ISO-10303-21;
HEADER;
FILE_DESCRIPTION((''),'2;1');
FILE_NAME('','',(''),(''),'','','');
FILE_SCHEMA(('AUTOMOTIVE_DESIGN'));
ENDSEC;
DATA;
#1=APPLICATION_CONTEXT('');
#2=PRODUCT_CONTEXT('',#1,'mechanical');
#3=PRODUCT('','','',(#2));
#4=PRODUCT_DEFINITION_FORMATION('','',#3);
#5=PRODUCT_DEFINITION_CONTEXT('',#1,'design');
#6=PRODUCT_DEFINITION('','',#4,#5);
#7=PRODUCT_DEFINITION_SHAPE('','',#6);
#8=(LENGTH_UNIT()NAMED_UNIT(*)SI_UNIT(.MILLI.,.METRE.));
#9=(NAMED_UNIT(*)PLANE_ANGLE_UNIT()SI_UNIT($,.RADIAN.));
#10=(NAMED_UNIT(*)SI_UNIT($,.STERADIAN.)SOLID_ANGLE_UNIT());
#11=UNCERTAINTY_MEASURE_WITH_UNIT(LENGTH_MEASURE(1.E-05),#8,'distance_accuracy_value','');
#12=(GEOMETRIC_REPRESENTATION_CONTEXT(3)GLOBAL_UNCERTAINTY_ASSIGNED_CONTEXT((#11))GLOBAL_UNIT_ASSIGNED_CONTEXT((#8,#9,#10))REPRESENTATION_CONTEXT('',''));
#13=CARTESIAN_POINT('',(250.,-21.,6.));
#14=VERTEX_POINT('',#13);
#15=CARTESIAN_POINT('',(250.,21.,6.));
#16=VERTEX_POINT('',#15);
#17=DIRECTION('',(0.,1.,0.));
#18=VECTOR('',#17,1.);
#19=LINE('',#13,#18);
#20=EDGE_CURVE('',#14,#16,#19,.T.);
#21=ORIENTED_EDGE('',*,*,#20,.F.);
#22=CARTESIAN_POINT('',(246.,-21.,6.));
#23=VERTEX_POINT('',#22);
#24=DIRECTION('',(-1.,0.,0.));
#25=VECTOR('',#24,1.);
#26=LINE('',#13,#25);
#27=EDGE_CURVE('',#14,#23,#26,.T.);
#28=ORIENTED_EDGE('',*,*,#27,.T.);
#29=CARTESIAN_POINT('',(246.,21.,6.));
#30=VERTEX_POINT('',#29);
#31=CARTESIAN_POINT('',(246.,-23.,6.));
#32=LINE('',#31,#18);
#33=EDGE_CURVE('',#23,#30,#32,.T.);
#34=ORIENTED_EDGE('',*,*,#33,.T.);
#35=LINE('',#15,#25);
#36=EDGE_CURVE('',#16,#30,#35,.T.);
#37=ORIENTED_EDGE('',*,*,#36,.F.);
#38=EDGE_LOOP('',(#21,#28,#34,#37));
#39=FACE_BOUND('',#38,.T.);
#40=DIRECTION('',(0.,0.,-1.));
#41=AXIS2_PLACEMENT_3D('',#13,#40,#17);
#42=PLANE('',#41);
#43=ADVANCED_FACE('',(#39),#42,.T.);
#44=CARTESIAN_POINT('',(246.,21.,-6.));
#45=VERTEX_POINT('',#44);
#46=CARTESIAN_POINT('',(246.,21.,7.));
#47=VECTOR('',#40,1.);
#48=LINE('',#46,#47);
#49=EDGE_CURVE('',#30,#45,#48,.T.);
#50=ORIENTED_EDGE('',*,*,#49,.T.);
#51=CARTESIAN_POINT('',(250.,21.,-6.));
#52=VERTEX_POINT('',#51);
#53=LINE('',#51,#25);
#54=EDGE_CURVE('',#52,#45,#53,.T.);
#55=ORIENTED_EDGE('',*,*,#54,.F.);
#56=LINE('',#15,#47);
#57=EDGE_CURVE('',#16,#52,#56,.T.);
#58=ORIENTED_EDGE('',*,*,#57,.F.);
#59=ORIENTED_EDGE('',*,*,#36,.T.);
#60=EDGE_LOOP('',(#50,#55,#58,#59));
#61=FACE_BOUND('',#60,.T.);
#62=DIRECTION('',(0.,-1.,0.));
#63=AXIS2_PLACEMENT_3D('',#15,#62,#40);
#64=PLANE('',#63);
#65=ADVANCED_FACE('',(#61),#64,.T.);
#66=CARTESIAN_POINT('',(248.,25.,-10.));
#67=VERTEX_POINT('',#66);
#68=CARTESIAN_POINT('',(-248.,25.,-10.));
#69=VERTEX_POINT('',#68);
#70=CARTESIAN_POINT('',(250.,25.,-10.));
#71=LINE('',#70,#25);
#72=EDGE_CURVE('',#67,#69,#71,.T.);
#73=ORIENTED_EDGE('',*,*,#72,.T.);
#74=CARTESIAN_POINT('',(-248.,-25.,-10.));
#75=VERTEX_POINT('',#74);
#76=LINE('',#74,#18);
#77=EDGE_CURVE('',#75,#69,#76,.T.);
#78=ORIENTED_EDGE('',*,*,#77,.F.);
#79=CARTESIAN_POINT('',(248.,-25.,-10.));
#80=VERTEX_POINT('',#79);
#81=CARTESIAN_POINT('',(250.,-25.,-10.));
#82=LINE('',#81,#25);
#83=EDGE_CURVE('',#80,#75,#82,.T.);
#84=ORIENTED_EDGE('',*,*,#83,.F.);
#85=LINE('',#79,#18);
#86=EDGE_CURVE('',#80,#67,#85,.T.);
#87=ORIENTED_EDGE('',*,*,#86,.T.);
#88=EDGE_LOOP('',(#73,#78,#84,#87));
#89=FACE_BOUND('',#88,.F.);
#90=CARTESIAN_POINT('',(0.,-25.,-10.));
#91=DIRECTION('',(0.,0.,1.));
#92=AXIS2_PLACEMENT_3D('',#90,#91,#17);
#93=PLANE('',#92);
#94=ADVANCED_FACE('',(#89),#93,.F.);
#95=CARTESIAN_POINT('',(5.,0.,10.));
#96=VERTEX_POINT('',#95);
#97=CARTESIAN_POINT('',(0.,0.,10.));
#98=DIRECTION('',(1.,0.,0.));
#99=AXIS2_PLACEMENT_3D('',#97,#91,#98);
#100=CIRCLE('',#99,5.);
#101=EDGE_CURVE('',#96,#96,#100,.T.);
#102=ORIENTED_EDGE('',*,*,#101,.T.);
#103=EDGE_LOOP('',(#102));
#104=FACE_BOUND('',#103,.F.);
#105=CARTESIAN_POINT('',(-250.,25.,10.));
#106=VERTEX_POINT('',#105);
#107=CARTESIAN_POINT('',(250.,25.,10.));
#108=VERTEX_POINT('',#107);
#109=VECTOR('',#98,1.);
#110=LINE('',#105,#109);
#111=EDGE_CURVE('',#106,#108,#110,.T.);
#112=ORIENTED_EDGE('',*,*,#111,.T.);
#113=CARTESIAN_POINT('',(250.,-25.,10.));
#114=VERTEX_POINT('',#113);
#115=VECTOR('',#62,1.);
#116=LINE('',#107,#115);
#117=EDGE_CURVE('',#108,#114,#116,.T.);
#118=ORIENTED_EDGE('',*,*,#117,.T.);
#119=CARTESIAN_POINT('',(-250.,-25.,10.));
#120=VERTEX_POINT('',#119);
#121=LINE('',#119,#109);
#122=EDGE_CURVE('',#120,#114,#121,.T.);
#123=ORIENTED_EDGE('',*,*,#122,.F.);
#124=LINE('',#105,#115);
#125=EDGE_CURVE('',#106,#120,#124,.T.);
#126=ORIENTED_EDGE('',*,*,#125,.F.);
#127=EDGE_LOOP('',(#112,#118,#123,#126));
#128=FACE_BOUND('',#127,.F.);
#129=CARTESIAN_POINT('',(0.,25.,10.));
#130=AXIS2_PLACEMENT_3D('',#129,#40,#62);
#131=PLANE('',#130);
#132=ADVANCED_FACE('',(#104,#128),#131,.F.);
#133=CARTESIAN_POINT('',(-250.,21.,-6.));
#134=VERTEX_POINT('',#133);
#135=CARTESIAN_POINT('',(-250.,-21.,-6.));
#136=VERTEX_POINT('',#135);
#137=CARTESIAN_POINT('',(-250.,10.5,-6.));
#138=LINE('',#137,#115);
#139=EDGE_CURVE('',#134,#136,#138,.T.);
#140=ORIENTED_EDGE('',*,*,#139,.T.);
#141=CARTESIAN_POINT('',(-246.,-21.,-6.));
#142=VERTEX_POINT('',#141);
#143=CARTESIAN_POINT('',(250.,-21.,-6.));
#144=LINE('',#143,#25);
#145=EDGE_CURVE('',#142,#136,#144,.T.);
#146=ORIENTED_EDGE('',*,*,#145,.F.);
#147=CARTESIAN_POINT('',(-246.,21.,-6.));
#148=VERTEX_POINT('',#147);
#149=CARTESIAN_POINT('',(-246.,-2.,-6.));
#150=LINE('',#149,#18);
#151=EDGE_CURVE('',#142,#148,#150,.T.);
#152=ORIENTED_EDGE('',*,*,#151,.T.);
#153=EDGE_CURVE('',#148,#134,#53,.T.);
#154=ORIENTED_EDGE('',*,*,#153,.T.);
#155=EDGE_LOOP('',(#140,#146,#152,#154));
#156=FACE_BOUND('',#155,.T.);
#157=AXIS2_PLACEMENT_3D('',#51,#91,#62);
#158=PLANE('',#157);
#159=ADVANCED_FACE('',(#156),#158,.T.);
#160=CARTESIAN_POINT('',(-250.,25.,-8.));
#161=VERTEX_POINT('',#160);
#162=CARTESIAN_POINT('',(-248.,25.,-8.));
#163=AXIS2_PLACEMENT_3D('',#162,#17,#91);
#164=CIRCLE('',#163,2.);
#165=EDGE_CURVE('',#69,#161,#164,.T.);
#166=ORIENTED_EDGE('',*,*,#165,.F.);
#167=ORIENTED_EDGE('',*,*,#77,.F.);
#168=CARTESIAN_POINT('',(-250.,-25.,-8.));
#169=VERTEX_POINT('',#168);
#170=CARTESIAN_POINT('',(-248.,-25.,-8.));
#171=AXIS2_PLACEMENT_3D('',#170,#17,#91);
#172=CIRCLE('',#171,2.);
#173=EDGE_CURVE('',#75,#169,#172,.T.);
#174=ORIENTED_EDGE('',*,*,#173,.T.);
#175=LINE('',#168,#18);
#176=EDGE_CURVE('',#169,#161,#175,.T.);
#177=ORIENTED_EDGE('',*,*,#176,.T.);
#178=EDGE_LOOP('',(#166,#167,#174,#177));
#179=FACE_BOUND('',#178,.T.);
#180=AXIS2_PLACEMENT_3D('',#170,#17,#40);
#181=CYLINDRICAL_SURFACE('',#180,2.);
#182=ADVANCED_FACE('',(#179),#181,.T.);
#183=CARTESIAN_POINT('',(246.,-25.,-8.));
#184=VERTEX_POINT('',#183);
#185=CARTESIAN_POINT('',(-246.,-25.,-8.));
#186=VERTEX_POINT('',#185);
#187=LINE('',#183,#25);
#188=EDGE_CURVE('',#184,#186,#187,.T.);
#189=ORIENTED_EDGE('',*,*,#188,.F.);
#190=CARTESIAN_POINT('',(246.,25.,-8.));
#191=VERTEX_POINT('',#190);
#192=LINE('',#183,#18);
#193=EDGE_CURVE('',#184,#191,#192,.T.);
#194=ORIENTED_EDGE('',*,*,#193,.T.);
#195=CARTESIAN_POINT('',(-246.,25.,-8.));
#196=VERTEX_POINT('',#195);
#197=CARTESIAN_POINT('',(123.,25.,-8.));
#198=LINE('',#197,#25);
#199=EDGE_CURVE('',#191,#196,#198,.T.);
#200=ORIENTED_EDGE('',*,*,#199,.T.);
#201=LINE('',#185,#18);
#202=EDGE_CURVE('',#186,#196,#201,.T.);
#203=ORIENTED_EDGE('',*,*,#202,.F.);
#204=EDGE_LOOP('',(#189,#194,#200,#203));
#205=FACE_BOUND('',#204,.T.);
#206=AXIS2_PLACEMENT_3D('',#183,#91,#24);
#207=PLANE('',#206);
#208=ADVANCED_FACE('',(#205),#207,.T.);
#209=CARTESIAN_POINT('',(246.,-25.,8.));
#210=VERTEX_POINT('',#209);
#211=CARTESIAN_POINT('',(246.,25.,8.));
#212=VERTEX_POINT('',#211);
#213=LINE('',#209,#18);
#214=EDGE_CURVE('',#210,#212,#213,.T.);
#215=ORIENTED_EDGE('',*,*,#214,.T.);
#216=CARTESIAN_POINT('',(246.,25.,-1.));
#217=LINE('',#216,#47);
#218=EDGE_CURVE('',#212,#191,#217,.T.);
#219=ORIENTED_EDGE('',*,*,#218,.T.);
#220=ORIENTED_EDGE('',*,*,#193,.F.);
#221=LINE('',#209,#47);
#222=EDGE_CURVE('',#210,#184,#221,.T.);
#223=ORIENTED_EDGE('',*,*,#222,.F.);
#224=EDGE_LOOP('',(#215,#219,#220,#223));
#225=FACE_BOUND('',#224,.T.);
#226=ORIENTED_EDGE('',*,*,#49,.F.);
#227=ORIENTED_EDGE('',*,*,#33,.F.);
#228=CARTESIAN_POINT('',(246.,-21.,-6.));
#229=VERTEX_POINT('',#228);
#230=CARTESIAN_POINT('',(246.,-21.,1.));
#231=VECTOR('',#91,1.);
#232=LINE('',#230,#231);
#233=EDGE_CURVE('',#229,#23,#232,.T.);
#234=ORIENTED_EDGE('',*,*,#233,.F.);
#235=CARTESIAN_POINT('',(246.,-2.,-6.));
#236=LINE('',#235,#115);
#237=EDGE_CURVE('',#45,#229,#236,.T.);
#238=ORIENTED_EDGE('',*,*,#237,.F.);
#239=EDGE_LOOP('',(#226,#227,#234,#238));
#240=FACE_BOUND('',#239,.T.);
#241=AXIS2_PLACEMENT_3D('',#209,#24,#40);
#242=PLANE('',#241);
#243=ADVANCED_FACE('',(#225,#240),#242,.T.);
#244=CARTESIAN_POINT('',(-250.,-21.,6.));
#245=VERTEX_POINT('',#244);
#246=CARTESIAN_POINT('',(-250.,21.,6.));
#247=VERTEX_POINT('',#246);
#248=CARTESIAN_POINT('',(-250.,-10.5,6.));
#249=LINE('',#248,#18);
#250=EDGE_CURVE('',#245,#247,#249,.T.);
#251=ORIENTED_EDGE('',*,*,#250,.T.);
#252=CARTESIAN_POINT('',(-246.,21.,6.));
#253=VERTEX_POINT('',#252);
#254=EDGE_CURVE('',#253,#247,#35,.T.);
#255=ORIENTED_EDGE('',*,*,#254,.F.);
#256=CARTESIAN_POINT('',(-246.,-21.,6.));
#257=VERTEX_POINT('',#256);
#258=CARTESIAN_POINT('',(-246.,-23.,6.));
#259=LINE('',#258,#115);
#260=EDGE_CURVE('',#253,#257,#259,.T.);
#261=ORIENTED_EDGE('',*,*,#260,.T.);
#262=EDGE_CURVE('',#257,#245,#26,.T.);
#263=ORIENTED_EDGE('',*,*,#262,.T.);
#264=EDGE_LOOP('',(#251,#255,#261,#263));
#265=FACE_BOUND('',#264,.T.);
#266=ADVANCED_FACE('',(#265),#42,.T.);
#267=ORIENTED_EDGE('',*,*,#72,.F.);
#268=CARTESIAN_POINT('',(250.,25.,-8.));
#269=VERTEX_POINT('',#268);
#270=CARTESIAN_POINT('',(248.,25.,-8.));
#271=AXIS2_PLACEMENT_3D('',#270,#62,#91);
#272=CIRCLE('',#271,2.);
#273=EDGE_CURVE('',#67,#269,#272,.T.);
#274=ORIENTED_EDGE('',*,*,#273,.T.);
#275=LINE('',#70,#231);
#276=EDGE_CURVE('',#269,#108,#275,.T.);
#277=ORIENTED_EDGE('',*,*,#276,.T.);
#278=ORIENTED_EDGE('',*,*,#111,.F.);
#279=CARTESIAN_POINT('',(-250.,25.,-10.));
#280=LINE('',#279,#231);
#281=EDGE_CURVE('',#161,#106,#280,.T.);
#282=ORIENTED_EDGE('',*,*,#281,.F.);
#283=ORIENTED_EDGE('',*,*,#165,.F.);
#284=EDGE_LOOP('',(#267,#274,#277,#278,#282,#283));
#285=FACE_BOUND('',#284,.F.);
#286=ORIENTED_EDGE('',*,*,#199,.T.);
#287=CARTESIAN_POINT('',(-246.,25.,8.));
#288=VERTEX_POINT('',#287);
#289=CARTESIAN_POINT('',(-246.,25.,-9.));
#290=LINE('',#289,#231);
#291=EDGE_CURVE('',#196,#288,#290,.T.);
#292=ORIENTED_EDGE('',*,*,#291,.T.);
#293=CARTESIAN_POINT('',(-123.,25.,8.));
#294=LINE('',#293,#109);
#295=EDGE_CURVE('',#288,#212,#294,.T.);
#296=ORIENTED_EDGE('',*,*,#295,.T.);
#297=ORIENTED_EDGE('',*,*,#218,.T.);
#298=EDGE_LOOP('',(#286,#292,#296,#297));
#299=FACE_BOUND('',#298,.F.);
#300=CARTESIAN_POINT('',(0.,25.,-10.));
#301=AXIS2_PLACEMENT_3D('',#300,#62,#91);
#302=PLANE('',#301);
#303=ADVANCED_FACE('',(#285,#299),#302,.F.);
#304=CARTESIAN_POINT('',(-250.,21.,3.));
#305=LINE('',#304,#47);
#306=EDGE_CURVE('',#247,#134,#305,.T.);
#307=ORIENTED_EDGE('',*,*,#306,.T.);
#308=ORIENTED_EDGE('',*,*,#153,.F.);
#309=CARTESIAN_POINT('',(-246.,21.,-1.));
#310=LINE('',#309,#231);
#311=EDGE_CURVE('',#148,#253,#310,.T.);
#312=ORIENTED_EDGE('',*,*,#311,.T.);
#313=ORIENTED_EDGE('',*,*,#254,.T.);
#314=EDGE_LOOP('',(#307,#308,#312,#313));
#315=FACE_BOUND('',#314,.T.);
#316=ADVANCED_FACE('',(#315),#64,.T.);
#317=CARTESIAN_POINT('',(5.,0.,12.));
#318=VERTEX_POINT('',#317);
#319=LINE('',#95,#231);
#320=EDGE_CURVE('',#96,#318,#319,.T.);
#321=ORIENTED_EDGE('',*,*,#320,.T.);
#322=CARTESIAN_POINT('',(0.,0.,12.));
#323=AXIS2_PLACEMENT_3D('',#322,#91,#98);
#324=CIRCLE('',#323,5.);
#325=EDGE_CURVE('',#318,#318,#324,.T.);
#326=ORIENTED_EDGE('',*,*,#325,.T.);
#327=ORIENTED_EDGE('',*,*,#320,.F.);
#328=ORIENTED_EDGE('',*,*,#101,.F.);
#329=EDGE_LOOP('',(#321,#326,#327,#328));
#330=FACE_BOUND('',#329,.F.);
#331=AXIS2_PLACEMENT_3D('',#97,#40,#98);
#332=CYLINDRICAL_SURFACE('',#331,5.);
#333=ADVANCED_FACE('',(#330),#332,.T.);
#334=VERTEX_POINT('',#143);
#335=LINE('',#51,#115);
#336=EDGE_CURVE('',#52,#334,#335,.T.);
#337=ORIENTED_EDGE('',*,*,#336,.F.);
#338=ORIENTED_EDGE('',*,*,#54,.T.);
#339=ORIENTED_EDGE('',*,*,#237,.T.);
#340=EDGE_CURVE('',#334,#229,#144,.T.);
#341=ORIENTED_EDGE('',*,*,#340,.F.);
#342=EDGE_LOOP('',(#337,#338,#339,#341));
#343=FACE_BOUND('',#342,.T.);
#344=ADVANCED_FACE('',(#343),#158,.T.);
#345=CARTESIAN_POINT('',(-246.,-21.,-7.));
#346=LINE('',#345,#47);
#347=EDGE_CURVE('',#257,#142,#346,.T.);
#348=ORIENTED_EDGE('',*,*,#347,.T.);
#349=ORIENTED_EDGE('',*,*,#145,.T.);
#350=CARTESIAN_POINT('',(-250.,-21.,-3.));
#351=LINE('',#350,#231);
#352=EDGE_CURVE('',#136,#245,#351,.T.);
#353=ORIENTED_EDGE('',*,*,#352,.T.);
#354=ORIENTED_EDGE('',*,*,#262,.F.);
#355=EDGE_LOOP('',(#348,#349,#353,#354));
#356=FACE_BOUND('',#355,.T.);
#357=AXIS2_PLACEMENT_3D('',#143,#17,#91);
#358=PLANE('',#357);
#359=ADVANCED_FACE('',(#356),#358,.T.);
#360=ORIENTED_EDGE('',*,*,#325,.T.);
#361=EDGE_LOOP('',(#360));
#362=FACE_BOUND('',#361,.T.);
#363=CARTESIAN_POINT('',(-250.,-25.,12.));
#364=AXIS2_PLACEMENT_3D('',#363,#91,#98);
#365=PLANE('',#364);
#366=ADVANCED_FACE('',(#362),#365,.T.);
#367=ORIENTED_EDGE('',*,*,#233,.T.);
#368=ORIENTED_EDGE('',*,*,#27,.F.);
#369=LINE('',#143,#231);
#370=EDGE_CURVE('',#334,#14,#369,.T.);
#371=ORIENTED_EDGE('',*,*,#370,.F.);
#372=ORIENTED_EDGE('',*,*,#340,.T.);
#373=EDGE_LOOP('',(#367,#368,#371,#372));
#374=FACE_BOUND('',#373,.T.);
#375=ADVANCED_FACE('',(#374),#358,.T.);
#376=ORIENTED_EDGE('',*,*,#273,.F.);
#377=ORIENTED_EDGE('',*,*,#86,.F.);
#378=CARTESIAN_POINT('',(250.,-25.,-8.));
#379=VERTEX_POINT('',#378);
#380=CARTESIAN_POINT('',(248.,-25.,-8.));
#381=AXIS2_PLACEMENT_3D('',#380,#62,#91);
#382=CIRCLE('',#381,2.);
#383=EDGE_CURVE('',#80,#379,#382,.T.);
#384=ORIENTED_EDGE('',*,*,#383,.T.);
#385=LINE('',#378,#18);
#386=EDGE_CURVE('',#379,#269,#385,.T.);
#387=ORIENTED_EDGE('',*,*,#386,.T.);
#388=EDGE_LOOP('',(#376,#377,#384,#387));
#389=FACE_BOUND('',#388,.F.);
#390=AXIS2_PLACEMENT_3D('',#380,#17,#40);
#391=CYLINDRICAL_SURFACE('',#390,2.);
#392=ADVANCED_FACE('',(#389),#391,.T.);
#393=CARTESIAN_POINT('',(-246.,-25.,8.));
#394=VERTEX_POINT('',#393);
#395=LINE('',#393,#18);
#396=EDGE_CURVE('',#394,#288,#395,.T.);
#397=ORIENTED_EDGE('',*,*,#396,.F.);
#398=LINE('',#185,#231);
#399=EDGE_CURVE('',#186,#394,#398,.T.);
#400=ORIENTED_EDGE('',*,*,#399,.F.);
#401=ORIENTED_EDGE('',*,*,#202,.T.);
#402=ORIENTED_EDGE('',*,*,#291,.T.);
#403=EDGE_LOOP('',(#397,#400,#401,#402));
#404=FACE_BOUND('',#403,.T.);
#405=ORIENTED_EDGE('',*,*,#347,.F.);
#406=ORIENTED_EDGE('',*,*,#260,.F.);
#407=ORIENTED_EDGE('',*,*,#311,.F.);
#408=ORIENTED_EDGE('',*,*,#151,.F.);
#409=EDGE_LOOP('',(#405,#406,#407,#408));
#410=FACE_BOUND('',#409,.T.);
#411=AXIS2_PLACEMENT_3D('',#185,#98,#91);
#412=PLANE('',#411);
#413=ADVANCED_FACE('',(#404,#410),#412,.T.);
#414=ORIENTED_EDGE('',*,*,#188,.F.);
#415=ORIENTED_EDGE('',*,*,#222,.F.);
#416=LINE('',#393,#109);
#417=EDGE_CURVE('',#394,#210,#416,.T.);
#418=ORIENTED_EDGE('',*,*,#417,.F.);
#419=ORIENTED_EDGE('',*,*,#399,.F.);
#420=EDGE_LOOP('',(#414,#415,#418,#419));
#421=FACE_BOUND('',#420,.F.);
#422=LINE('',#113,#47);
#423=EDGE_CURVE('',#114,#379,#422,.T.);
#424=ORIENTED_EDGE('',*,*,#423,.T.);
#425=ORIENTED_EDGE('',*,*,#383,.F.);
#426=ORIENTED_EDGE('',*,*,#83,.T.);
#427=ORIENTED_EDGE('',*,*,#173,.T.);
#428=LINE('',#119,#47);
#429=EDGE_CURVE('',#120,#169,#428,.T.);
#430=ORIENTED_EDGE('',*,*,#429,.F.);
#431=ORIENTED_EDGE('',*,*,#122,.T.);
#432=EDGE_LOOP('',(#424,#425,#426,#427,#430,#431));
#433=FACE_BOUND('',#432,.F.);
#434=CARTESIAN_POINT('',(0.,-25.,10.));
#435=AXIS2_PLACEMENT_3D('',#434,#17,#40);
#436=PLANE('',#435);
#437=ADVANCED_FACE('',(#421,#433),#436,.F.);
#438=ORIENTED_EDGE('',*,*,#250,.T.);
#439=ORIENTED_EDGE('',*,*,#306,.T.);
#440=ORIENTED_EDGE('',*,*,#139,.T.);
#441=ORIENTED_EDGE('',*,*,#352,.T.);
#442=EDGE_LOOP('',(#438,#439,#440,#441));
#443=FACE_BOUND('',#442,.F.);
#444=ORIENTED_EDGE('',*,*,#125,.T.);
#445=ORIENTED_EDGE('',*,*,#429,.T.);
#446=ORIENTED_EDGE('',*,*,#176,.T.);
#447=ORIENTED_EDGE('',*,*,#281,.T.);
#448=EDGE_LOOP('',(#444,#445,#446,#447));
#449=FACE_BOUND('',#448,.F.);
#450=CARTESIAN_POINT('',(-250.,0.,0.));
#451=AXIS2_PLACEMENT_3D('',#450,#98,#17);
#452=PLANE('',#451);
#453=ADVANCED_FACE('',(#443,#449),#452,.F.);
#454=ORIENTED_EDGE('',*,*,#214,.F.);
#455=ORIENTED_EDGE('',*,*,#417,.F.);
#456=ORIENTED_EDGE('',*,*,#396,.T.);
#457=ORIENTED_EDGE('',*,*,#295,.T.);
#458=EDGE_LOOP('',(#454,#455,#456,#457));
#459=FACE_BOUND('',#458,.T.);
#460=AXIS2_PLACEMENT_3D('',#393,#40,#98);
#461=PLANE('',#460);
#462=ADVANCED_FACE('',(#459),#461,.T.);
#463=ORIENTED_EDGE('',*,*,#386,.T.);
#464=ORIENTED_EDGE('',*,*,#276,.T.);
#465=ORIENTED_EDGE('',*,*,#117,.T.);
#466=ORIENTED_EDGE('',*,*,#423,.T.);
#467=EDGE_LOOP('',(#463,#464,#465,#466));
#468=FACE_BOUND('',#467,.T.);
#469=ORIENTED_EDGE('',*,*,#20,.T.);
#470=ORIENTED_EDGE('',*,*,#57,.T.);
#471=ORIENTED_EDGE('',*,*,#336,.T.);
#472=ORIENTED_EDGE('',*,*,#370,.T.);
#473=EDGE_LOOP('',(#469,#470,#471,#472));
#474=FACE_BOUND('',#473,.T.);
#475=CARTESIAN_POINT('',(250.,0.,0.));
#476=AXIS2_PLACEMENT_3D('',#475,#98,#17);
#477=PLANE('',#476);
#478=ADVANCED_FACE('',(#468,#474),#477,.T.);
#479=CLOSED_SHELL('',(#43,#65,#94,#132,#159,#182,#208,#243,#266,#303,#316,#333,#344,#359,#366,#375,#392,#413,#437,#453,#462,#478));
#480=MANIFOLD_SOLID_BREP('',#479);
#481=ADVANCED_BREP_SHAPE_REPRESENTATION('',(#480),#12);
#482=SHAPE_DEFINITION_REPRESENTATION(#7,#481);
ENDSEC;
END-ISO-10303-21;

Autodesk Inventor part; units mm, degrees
ref_plane "YZ Plane" through (0, 0, 0) normal (1, 0, 0) x (0, 1, 0)
ref_plane "XZ Plane" through (0, 0, 0) normal (0, 1, 0) x (-1, 0, 0)
ref_plane "XY Plane" through (0, 0, 0) normal (0, 0, 1) x (1, 0, 0)
sketch "スケッチ2" plane through (0, 0, 0) normal (1, 0, 0) x (0, 1, 0)
  line L0 (25, 10) -> (-25, 10)
  line L1 (-25, 10) -> (-25, -10)
  line L2 (-25, -10) -> (25, -10)
  line L3 (25, -10) -> (25, 10)
  line L4 (25, 10) -> (-25, -10) construction
  line L5 (-25, 10) -> (25, -10) construction
  point P0 (0, 0)
  dimension "d4" = 50
  dimension "d5" = 20
extrude "押し出し2" add sketch "スケッチ2" along normal mid plane 500
sketch "スケッチ3" plane through (-250, -25, 10) normal (0, 0, 1) x (1, 0, 0)
  circle A0 centre (250, 25) radius 5
  dimension "d8" = 10
extrude "押し出し3" add sketch "スケッチ3" along normal blind 2
fillet "フィレット1" radius 2 2 edges at (250, 0, -10) (-250, 0, -10)
sketch "スケッチ4" plane through (250, 0, 0) normal (1, 0, 0) x (0, 0, -1)
  line L0 (-6, 21) -> (6, 21)
  line L1 (6, 21) -> (6, -21)
  line L2 (6, -21) -> (-6, -21)
  line L3 (-6, -21) -> (-6, 21)
  line L4 (-6, 21) -> (6, -21) construction
  line L5 (6, 21) -> (-6, -21) construction
  point P0 (0, 0)
  dimension "d12" = 12
  dimension "d13" = 42
extrude "押し出し4" cut sketch "スケッチ4" against normal through all
sketch "スケッチ6" plane through (-250, -25, 10) normal (0, -1, 0) x (1, 0, 0)
  line L0 (4, -2) -> (496, -2)
  line L1 (496, -2) -> (496, -18)
  line L2 (496, -18) -> (4, -18)
  line L3 (4, -18) -> (4, -2)
  line L4 (4, -2) -> (496, -18) construction
  line L5 (496, -2) -> (4, -18) construction
  point P0 (250, -10)
  dimension "d16" = 492
  dimension "d17" = 16
extrude "押し出し5" cut sketch "スケッチ6" against normal through all
properties part number "hashi1shado"
